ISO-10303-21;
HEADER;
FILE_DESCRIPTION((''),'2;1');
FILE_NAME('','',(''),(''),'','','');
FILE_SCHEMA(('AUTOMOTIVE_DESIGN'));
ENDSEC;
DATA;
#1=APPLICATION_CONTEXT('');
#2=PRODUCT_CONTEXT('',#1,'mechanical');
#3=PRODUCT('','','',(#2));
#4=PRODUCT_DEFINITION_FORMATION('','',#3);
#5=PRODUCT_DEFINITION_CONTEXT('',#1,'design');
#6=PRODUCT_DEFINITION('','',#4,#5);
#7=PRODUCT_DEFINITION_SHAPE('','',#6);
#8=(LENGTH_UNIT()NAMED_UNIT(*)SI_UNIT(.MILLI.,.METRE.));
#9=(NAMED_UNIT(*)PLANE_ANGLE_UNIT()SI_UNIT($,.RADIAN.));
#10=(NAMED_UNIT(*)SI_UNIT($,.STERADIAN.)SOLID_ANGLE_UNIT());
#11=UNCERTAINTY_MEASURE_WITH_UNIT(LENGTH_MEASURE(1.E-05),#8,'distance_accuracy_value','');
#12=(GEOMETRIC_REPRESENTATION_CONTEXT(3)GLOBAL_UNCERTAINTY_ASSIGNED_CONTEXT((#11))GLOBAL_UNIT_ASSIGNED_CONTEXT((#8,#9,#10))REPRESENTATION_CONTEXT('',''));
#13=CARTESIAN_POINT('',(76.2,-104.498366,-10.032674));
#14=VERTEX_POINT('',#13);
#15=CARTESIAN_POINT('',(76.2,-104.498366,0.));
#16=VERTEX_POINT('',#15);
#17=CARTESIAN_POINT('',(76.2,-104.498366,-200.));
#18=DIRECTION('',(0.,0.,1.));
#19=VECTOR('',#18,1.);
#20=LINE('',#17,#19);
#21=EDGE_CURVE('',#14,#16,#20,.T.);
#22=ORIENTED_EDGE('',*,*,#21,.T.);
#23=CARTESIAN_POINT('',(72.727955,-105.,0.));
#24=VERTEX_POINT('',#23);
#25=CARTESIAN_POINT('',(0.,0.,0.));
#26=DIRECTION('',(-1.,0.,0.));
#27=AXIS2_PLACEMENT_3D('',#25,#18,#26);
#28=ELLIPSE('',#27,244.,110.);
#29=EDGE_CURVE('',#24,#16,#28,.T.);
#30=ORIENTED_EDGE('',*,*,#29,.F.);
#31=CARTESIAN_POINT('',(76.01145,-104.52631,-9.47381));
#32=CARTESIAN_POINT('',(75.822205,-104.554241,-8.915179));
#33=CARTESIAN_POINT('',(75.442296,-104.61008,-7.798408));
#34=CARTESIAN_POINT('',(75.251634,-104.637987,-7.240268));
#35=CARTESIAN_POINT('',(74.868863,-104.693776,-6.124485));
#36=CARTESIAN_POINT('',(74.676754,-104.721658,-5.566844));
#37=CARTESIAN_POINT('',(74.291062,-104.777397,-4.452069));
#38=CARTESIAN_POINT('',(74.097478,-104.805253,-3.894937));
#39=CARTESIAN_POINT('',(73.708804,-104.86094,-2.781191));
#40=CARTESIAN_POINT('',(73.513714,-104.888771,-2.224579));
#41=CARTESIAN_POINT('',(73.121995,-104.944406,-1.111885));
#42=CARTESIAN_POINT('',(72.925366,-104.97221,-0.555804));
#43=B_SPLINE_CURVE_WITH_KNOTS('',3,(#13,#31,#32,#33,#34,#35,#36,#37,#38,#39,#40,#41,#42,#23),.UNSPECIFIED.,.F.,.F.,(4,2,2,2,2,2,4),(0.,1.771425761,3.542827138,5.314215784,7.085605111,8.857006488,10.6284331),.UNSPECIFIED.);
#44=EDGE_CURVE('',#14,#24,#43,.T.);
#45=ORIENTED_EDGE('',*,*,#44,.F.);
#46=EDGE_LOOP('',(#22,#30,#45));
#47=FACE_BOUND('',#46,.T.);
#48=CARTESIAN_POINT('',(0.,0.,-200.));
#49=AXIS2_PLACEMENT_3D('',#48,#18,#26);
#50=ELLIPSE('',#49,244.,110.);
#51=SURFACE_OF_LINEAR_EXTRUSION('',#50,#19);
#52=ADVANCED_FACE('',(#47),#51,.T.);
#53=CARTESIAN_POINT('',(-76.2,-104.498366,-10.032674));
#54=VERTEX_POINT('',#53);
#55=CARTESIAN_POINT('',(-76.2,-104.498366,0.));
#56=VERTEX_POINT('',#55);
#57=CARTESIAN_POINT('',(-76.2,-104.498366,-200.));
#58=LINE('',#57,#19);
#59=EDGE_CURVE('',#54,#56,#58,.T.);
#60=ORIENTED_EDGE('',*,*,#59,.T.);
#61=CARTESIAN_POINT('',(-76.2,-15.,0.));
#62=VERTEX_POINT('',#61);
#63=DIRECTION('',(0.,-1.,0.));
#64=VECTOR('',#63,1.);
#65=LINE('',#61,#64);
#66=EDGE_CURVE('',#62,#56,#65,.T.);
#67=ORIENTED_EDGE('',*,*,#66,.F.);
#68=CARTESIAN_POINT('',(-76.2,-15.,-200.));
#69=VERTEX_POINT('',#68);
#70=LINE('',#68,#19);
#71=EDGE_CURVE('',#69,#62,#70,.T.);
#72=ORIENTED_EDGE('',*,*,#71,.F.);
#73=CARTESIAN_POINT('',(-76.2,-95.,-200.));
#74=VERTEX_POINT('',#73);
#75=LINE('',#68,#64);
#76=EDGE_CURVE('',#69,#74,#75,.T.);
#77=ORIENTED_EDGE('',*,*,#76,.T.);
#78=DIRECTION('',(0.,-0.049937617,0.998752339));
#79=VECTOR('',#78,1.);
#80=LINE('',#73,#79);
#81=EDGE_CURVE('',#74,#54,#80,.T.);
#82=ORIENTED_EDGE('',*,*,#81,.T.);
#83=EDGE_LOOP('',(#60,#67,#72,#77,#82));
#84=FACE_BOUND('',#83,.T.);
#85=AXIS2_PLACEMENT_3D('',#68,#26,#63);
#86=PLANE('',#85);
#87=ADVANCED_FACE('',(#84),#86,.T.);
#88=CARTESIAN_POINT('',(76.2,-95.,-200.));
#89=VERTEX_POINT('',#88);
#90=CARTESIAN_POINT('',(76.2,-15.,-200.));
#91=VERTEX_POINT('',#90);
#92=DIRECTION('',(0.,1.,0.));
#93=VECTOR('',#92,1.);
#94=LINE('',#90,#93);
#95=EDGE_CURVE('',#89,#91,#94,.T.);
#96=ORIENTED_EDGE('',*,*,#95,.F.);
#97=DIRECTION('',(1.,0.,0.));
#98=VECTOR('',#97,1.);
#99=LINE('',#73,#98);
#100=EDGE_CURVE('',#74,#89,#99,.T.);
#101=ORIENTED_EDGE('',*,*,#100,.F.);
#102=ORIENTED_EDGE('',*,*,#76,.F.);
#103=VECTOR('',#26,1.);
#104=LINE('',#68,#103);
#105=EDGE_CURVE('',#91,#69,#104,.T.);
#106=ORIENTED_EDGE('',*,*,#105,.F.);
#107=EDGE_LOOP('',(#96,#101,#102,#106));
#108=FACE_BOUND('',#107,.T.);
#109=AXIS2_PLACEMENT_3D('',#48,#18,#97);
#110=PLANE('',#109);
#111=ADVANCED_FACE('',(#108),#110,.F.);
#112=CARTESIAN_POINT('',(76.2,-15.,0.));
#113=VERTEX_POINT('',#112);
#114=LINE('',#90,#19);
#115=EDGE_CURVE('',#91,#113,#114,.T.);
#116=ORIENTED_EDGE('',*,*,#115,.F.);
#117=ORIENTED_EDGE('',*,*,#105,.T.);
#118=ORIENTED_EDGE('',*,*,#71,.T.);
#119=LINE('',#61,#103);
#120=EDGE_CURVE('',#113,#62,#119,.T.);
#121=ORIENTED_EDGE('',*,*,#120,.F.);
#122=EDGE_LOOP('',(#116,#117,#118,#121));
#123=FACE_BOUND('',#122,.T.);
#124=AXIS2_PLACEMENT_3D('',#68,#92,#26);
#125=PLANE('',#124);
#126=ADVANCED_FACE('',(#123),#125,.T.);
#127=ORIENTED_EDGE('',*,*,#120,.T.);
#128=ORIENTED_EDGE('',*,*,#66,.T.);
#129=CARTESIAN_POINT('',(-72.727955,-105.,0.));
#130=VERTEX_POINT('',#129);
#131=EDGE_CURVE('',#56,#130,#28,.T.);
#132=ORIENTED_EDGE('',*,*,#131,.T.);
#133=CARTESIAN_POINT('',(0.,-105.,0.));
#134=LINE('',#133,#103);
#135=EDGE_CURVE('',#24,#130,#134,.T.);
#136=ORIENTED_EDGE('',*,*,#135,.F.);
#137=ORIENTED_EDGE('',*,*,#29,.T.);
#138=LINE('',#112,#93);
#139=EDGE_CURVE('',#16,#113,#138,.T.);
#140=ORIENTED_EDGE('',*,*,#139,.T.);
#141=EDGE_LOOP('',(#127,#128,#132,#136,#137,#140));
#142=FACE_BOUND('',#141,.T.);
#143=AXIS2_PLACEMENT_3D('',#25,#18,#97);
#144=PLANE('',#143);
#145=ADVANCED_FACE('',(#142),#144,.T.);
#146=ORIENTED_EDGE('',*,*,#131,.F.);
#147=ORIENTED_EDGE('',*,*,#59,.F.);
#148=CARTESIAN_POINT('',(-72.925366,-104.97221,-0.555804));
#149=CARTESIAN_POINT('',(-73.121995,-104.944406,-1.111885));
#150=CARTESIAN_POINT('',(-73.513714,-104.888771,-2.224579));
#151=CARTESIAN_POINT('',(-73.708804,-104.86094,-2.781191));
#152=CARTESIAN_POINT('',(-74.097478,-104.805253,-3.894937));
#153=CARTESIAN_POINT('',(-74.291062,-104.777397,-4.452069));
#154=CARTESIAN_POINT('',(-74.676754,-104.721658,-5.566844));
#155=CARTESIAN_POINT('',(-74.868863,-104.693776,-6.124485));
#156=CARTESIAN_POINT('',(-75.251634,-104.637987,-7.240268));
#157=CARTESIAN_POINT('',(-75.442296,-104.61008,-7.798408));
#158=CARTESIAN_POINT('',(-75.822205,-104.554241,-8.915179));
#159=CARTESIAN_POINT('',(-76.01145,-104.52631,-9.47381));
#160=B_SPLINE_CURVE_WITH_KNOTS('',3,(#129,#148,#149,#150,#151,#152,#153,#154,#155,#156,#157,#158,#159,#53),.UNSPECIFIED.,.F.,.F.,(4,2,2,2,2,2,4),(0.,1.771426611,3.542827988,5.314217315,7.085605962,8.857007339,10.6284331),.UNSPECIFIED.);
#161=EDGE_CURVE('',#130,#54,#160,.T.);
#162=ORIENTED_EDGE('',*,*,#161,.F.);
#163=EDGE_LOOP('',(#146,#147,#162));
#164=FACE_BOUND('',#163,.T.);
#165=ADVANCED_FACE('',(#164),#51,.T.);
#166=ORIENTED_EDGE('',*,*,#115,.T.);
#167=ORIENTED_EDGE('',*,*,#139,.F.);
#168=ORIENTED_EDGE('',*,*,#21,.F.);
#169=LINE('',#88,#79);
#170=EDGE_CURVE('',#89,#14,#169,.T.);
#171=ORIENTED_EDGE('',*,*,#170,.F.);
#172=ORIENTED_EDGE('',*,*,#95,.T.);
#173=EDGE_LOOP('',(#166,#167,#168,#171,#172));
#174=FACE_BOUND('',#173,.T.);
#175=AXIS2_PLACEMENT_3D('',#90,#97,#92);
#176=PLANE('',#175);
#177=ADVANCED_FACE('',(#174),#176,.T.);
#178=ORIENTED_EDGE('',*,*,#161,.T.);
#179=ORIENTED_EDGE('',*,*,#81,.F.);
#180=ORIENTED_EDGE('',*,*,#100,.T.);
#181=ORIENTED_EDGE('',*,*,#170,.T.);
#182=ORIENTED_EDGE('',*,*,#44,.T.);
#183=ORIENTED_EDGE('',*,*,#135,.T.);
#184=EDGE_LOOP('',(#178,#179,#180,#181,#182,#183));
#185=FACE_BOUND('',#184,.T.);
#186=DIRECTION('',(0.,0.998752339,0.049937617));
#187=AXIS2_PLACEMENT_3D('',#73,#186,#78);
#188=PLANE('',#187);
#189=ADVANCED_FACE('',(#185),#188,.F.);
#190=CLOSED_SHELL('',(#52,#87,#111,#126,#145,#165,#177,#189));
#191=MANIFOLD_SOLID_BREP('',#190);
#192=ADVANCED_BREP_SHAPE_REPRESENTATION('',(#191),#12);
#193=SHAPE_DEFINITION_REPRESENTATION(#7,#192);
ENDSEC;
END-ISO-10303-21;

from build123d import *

# Parameters (mm, degrees)
BOSS_EXTRUDE1_DEPTH     = 200
CUT_EXTRUDE1_DEPTH      = 77.2000001
CUT_EXTRUDE1_DEPTH_BACK = 77.2000001


with BuildPart() as part:
    # Sketch17 → Boss-Extrude1 (new body)
    with BuildSketch(Plane.XY):
        with BuildLine():
            Line((-76.2, -15), (76.2, -15))
            Line((76.2, -15), (76.2, -104.498366301))
            add(Edge.make_bspline(
                [(-76.2, -104.498366301), (0, -115.791283906), (76.2, -104.498366301)],
                knots=[1.253188337, 1.253188337, 1.253188337, 1.888404317, 1.888404317, 1.888404317], degree=2, weights=[1, 0.949985148, 1]))
            Line((-76.2, -104.498366301), (-76.2, -15))
        make_face()
    extrude(amount=-BOSS_EXTRUDE1_DEPTH)

    # Sketch15 → Cut-Extrude1 (cut, two sides)
    with BuildSketch(Plane(origin=(0, 0, 0), x_dir=(0, 0, -1), z_dir=(1, 0, 0))) as cut_extrude1_sk:
        Polygon((0, -110), (200, -110), (200, -95), (0, -105), align=None)
    extrude(amount=CUT_EXTRUDE1_DEPTH, mode=Mode.SUBTRACT)
    extrude(cut_extrude1_sk.sketch, amount=-CUT_EXTRUDE1_DEPTH_BACK, mode=Mode.SUBTRACT)


solid = part.part
